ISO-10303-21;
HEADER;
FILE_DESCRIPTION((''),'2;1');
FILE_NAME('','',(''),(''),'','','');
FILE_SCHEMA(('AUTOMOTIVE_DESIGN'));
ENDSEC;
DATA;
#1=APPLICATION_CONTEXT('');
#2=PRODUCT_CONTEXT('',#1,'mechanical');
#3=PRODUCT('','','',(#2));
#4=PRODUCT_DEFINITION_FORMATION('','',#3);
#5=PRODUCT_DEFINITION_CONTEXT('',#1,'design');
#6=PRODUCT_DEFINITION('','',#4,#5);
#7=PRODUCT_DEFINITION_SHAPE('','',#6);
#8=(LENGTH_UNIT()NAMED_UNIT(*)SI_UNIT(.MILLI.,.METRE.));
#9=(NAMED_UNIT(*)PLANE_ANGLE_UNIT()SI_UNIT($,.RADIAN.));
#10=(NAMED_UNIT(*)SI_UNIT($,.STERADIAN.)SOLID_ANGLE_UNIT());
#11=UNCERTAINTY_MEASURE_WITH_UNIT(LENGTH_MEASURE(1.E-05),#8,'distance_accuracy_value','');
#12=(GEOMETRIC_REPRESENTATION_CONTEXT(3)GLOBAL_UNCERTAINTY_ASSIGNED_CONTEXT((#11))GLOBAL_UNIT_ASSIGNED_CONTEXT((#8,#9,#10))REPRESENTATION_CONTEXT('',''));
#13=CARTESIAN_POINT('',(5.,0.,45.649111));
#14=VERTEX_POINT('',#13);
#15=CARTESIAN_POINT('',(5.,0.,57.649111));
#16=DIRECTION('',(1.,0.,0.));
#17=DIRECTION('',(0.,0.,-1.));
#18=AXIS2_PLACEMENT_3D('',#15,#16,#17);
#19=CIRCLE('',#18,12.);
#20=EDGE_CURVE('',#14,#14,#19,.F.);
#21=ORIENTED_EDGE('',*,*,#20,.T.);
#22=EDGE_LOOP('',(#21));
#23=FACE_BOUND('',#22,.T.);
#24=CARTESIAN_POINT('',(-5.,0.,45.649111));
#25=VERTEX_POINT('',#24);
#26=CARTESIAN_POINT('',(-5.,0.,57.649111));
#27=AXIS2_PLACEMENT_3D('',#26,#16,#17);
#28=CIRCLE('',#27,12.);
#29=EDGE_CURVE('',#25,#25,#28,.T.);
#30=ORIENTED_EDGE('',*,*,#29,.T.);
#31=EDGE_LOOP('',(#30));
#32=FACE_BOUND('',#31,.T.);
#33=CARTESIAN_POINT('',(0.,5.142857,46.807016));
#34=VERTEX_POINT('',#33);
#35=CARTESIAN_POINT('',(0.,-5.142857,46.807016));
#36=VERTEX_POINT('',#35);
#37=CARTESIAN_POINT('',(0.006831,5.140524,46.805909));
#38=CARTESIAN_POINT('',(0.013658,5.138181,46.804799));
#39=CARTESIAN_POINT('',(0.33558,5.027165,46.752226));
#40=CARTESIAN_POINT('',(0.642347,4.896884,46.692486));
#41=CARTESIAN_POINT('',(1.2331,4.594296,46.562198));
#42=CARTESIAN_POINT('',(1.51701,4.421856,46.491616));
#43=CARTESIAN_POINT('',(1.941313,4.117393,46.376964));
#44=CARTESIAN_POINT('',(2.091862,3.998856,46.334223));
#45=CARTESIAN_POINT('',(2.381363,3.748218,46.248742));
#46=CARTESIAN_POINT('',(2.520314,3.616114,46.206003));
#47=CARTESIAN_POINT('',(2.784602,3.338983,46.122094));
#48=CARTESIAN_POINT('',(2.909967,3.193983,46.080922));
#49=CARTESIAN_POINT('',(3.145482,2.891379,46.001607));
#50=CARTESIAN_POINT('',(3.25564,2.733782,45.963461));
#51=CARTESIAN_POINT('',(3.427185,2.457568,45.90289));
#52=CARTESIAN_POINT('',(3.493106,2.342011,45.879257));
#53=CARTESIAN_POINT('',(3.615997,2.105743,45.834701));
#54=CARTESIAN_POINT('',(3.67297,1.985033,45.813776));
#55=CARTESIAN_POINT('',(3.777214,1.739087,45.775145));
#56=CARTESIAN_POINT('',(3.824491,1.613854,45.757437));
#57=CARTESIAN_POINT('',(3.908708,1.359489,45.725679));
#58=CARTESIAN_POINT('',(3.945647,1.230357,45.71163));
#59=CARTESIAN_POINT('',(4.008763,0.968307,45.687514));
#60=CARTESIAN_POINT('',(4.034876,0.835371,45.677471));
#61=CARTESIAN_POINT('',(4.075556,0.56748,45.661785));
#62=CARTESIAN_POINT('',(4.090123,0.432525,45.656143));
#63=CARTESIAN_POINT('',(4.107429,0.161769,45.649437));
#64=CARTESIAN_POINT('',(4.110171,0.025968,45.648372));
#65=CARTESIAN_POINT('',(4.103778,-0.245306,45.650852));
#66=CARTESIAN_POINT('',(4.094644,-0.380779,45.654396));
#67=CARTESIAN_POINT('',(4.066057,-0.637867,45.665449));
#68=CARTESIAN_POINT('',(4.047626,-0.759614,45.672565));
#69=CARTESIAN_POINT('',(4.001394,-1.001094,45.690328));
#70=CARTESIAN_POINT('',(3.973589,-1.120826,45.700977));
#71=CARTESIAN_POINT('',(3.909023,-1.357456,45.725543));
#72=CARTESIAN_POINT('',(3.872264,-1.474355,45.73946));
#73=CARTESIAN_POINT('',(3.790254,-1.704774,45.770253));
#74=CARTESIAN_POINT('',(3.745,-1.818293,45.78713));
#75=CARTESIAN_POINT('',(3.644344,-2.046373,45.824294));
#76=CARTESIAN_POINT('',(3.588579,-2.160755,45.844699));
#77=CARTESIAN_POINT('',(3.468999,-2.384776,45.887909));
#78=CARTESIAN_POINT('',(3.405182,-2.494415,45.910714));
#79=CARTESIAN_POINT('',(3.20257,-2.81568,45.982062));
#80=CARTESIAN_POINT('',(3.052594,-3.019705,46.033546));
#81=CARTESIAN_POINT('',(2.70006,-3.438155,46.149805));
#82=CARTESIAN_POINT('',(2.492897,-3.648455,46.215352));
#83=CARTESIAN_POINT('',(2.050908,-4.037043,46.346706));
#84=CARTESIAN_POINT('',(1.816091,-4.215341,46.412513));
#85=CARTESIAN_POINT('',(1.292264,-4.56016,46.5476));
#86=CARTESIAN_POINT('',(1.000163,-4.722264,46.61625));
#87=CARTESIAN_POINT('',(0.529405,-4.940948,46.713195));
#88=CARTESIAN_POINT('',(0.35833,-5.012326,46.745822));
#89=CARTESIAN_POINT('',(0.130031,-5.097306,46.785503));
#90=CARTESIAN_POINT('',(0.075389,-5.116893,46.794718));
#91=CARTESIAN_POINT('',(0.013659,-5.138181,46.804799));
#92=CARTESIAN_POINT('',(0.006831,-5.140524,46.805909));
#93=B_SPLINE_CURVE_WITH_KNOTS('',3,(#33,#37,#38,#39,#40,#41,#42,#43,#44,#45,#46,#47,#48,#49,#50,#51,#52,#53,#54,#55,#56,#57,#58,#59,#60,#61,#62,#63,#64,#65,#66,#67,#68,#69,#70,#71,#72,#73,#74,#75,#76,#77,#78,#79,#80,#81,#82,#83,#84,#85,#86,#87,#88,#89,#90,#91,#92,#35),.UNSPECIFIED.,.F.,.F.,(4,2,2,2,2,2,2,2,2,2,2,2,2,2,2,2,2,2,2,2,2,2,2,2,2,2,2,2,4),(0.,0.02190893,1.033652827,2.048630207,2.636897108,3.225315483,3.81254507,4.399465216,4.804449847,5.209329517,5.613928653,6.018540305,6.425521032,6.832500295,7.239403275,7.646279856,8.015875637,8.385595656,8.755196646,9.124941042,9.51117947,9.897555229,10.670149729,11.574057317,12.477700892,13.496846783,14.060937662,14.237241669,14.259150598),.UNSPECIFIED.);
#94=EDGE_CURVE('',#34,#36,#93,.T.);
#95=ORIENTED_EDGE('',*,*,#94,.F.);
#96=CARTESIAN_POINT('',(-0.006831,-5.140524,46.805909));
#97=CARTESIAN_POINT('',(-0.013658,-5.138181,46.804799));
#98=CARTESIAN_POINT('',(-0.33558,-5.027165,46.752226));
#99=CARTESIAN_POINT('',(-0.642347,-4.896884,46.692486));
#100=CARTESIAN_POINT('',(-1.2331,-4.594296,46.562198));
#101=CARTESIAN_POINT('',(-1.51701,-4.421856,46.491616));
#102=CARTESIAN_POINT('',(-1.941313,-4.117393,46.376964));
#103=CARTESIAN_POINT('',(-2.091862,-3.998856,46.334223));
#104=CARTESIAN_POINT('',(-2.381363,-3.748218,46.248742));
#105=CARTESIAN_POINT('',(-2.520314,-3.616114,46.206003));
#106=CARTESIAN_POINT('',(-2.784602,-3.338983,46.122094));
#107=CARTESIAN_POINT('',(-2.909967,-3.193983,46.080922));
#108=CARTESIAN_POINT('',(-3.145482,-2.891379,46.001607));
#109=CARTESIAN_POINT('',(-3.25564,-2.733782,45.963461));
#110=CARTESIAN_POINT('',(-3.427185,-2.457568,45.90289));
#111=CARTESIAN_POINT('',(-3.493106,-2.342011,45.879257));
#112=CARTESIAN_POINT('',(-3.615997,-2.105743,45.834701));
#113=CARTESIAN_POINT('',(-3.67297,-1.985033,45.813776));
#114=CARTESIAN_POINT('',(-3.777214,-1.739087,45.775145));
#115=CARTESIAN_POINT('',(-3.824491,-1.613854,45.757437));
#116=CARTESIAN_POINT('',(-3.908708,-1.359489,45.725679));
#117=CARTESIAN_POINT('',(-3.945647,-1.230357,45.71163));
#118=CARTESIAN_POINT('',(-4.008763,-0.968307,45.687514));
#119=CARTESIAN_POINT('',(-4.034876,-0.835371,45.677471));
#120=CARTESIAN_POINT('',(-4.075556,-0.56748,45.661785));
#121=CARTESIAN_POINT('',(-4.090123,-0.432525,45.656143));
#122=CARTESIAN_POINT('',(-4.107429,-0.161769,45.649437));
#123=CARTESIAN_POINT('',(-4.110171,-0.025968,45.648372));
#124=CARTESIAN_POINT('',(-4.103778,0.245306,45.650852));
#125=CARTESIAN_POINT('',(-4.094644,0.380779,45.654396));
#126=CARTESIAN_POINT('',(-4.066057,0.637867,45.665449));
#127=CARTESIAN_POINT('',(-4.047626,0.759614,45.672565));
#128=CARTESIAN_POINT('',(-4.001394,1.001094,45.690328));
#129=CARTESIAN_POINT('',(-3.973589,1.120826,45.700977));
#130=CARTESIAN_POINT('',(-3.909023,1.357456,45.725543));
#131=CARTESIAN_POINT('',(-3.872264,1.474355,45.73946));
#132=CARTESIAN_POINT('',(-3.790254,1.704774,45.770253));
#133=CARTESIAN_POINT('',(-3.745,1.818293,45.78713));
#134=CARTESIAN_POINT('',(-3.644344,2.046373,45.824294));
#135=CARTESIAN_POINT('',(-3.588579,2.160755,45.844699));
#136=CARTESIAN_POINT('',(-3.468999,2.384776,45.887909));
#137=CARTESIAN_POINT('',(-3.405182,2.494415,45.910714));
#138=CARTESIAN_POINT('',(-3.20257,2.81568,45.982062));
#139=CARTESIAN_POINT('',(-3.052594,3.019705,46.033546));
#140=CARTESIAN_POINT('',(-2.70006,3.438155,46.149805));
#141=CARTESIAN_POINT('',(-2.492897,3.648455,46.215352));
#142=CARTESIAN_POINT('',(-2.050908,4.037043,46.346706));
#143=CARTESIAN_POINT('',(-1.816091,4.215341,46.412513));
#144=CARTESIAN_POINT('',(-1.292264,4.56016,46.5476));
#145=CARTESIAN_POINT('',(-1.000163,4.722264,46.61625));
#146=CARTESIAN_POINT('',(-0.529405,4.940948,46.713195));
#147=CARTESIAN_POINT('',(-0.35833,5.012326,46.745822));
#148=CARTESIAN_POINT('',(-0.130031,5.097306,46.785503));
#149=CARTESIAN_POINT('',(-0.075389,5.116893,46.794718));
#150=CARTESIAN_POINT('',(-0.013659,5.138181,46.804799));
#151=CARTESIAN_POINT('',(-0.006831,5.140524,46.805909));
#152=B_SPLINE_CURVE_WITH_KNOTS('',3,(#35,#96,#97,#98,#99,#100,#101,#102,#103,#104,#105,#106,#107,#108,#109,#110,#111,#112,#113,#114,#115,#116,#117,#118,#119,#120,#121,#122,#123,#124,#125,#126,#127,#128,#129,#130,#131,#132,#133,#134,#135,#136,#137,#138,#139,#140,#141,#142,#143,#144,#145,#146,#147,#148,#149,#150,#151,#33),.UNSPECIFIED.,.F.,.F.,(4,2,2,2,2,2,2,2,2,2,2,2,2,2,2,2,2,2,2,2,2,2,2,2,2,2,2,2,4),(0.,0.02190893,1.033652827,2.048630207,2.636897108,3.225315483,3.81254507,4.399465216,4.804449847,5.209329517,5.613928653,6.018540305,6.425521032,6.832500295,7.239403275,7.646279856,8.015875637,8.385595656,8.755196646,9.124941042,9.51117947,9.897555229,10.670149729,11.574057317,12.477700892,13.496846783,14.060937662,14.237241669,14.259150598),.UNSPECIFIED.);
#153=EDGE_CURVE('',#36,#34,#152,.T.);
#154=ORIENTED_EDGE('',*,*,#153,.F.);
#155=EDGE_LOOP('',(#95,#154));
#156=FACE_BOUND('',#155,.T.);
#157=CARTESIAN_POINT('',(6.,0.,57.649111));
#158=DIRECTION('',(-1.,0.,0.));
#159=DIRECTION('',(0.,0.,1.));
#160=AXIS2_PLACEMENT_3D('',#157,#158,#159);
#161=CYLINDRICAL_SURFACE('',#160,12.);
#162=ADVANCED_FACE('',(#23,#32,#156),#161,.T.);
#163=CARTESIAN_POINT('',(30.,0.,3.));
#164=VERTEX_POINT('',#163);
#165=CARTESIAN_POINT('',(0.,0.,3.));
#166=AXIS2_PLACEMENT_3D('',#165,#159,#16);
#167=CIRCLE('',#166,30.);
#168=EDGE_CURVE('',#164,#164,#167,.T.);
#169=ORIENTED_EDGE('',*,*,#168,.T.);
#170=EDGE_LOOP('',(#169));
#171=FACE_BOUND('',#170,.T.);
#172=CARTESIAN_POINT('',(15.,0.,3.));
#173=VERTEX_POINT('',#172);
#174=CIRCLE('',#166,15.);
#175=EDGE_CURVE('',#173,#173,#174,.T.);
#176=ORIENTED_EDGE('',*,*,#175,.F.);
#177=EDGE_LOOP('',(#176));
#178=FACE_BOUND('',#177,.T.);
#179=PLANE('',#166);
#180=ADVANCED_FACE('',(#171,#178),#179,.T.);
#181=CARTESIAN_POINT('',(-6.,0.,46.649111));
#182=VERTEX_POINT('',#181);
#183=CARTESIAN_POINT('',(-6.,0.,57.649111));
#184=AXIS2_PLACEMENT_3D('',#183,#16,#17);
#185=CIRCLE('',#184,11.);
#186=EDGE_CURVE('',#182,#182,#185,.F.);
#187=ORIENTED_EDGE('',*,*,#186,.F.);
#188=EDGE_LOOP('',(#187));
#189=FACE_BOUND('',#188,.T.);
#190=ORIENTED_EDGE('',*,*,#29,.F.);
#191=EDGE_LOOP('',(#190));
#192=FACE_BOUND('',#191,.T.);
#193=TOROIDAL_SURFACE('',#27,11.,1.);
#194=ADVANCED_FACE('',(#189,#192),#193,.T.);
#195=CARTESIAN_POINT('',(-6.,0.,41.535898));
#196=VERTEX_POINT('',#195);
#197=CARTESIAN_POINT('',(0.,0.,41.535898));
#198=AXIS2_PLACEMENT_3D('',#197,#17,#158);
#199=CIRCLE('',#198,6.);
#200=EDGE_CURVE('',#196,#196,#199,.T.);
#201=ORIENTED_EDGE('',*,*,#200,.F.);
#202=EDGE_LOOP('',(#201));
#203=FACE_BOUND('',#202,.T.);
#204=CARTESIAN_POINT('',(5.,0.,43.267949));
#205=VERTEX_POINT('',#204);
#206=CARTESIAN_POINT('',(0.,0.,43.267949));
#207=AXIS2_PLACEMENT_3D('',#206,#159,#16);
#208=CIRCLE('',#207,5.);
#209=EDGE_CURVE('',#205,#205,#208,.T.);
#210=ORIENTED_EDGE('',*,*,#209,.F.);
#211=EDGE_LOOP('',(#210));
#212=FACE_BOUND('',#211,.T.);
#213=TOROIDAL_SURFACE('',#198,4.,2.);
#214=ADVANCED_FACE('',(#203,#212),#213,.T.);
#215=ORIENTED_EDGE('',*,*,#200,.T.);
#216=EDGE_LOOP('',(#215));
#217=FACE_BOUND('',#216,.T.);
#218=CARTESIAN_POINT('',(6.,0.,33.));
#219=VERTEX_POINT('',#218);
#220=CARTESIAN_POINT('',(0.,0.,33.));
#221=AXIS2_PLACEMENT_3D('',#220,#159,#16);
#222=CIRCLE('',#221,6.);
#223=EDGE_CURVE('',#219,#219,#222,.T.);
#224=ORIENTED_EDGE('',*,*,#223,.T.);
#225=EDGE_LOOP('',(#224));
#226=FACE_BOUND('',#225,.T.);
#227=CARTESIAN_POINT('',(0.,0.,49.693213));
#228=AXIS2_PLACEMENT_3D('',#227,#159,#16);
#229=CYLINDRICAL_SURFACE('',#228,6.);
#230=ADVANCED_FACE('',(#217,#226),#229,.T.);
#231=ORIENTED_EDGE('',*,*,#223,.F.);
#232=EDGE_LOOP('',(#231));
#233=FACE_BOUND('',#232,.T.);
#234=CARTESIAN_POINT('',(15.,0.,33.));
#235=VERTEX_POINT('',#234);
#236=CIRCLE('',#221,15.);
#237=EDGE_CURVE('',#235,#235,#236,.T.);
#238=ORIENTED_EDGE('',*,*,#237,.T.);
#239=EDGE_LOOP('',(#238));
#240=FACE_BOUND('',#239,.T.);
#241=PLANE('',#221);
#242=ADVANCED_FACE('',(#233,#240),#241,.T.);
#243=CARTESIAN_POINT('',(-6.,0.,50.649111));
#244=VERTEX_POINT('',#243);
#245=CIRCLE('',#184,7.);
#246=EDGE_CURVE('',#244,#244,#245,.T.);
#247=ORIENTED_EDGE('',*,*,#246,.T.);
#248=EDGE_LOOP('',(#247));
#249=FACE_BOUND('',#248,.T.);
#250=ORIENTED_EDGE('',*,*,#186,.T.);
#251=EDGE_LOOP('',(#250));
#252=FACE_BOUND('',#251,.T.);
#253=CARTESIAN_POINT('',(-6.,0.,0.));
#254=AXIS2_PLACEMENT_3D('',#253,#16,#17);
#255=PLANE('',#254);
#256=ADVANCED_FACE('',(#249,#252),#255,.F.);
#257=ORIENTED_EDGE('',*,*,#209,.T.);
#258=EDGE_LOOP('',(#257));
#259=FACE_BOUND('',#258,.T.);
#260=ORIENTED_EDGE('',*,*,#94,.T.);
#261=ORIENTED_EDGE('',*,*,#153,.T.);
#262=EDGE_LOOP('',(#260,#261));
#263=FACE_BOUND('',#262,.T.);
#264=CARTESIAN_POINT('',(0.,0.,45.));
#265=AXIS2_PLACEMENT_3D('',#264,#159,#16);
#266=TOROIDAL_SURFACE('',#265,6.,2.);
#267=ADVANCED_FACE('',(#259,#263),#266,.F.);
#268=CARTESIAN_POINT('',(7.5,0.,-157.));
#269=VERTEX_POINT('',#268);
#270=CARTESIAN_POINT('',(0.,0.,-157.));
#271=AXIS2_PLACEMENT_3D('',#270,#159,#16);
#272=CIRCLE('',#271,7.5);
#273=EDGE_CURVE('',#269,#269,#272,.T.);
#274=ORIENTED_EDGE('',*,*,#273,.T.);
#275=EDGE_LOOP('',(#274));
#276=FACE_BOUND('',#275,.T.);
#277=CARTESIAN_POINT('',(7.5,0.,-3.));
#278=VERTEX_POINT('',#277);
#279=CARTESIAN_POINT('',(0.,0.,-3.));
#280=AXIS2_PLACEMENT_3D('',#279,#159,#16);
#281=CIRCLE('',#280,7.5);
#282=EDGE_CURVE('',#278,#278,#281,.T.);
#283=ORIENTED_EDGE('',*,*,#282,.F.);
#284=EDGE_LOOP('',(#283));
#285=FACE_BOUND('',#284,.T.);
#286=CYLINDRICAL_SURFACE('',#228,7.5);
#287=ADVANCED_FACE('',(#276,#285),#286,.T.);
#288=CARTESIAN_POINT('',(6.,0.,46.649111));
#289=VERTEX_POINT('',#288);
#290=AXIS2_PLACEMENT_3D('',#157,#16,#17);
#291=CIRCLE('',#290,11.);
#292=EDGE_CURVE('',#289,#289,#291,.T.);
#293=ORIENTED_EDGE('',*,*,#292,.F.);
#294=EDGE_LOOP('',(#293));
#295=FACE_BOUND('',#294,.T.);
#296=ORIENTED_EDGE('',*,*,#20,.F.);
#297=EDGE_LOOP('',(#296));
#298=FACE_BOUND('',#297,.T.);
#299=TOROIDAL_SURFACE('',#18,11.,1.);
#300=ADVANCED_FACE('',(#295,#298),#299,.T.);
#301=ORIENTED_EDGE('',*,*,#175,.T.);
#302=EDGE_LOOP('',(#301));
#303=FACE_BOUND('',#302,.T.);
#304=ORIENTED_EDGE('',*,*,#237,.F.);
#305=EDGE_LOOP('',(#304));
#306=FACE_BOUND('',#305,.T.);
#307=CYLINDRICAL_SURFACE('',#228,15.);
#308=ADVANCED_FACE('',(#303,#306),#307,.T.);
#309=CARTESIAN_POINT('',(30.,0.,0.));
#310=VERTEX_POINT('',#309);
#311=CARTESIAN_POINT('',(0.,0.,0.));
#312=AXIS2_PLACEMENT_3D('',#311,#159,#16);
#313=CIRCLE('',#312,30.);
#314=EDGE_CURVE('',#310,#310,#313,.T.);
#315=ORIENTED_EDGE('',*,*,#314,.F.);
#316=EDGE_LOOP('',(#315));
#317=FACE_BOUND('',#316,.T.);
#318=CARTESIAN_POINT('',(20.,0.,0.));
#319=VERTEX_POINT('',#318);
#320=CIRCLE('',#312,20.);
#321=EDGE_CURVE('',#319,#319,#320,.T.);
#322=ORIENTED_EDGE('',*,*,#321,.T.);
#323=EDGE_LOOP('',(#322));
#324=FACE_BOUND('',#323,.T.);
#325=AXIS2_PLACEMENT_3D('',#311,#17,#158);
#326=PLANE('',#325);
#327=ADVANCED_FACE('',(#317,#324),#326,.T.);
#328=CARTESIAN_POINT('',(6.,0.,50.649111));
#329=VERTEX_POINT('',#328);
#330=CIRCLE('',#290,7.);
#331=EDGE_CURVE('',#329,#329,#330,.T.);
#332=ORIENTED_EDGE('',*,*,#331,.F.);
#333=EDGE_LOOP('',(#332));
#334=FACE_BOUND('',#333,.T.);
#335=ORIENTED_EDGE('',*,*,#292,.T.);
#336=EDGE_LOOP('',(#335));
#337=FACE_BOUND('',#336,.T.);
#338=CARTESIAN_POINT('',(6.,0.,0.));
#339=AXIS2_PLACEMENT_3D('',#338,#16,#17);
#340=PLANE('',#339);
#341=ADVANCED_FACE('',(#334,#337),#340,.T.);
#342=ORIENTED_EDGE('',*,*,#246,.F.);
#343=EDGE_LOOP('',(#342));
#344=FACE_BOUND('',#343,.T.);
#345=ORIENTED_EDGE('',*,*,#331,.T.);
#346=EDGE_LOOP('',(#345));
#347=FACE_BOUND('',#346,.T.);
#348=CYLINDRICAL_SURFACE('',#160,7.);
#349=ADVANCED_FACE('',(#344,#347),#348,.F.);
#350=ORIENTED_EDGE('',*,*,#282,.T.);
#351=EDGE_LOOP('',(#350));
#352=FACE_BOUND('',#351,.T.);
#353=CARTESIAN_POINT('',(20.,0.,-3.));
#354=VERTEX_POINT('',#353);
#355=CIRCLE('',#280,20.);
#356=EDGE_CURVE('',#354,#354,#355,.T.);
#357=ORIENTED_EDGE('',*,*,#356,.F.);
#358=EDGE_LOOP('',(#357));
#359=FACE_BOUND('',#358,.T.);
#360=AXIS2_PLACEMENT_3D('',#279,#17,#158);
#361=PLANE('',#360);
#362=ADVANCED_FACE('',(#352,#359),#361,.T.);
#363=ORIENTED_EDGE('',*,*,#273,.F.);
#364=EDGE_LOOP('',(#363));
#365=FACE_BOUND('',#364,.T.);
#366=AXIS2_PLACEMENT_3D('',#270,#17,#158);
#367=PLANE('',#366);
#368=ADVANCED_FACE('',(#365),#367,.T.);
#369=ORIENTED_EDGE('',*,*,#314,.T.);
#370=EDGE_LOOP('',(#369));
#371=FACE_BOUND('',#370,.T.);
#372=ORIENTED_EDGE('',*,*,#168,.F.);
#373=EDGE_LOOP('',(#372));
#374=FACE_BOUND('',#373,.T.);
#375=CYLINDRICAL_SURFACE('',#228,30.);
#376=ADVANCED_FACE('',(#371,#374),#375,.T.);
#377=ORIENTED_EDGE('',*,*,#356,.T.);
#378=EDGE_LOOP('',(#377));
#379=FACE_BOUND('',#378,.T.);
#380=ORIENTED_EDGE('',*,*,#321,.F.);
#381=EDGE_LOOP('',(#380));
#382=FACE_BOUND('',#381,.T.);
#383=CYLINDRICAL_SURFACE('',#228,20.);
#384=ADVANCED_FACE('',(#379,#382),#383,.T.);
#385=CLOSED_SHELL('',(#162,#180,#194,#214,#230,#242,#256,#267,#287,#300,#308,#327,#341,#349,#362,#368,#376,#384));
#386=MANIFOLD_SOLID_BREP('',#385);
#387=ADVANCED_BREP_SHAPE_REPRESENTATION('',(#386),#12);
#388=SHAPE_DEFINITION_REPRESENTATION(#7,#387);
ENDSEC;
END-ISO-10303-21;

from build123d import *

# Parameters (mm, degrees)
SKETCH2_4_R         = 7
BOSS_EXTRUDE1_DEPTH = 6
FILLET1_R           = 1
FILLET2_R           = 2


with BuildPart() as part:
    # Sketch1 → Revolve1 (revolve)
    with BuildSketch(Plane.YZ):
        Polygon((6, 43), (0, 43), (0, -157), (7.5, -157), (7.5, -3), (20, -3), (20, 0), (30, 0), (30, 3), (15, 3), (15, 33), (6, 33), align=None)
    revolve(axis=Axis((0, 0, 49.693213244), (0, 0, -1)))

    # Sketch2 → Revolve2 (revolve)
    with BuildSketch(Plane.YZ):
        with BuildLine():
            ThreePointArc((5.142857143, 46.807015806), (2.63579798, 45.942165309), (0, 45.649110641))
            Line((0, 45.649110641), (0, 43))
            Line((0, 43), (6, 43))
            ThreePointArc((6, 43), (4.048842445, 44.560700337), (5.142857143, 46.807015806))
        make_face()
    revolve(axis=Axis((0, 0, 57.649110641), (0, 0, -1)))

    # Sketch2<4> → Boss-Extrude1 (add, symmetric)
    with BuildSketch(Plane.YZ):
        with BuildLine():
            ThreePointArc((-5.142857143, 46.807015806), (-2.63579798, 45.942165309), (0, 45.649110641))
            ThreePointArc((0, 45.649110641), (2.63579798, 45.942165309), (5.142857143, 46.807015806))
            ThreePointArc((5.142857143, 46.807015806), (10.141851057, 51.234840835), (12, 57.649110641))
            ThreePointArc((12, 57.649110641), (-6.414269806, 67.790961697), (-5.142857143, 46.807015806))
        make_face()
        with Locations((0, 57.649110641)):
            Circle(SKETCH2_4_R, mode=Mode.SUBTRACT)
    extrude(amount=BOSS_EXTRUDE1_DEPTH, both=True)

    # Fillet1
    fillet1_edges = [part.edges().sort_by_distance(p)[0] for p in [
        (-6, -2.63579798, 45.942165309),
        (6, 2.63579798, 45.942165309),
    ]]
    fillet(fillet1_edges, radius=FILLET1_R)

    # Fillet2
    fillet2_edges = [part.edges().sort_by_distance(p)[0] for p in [
        (0, -6, 43),
    ]]
    fillet(fillet2_edges, radius=FILLET2_R)


solid = part.part
